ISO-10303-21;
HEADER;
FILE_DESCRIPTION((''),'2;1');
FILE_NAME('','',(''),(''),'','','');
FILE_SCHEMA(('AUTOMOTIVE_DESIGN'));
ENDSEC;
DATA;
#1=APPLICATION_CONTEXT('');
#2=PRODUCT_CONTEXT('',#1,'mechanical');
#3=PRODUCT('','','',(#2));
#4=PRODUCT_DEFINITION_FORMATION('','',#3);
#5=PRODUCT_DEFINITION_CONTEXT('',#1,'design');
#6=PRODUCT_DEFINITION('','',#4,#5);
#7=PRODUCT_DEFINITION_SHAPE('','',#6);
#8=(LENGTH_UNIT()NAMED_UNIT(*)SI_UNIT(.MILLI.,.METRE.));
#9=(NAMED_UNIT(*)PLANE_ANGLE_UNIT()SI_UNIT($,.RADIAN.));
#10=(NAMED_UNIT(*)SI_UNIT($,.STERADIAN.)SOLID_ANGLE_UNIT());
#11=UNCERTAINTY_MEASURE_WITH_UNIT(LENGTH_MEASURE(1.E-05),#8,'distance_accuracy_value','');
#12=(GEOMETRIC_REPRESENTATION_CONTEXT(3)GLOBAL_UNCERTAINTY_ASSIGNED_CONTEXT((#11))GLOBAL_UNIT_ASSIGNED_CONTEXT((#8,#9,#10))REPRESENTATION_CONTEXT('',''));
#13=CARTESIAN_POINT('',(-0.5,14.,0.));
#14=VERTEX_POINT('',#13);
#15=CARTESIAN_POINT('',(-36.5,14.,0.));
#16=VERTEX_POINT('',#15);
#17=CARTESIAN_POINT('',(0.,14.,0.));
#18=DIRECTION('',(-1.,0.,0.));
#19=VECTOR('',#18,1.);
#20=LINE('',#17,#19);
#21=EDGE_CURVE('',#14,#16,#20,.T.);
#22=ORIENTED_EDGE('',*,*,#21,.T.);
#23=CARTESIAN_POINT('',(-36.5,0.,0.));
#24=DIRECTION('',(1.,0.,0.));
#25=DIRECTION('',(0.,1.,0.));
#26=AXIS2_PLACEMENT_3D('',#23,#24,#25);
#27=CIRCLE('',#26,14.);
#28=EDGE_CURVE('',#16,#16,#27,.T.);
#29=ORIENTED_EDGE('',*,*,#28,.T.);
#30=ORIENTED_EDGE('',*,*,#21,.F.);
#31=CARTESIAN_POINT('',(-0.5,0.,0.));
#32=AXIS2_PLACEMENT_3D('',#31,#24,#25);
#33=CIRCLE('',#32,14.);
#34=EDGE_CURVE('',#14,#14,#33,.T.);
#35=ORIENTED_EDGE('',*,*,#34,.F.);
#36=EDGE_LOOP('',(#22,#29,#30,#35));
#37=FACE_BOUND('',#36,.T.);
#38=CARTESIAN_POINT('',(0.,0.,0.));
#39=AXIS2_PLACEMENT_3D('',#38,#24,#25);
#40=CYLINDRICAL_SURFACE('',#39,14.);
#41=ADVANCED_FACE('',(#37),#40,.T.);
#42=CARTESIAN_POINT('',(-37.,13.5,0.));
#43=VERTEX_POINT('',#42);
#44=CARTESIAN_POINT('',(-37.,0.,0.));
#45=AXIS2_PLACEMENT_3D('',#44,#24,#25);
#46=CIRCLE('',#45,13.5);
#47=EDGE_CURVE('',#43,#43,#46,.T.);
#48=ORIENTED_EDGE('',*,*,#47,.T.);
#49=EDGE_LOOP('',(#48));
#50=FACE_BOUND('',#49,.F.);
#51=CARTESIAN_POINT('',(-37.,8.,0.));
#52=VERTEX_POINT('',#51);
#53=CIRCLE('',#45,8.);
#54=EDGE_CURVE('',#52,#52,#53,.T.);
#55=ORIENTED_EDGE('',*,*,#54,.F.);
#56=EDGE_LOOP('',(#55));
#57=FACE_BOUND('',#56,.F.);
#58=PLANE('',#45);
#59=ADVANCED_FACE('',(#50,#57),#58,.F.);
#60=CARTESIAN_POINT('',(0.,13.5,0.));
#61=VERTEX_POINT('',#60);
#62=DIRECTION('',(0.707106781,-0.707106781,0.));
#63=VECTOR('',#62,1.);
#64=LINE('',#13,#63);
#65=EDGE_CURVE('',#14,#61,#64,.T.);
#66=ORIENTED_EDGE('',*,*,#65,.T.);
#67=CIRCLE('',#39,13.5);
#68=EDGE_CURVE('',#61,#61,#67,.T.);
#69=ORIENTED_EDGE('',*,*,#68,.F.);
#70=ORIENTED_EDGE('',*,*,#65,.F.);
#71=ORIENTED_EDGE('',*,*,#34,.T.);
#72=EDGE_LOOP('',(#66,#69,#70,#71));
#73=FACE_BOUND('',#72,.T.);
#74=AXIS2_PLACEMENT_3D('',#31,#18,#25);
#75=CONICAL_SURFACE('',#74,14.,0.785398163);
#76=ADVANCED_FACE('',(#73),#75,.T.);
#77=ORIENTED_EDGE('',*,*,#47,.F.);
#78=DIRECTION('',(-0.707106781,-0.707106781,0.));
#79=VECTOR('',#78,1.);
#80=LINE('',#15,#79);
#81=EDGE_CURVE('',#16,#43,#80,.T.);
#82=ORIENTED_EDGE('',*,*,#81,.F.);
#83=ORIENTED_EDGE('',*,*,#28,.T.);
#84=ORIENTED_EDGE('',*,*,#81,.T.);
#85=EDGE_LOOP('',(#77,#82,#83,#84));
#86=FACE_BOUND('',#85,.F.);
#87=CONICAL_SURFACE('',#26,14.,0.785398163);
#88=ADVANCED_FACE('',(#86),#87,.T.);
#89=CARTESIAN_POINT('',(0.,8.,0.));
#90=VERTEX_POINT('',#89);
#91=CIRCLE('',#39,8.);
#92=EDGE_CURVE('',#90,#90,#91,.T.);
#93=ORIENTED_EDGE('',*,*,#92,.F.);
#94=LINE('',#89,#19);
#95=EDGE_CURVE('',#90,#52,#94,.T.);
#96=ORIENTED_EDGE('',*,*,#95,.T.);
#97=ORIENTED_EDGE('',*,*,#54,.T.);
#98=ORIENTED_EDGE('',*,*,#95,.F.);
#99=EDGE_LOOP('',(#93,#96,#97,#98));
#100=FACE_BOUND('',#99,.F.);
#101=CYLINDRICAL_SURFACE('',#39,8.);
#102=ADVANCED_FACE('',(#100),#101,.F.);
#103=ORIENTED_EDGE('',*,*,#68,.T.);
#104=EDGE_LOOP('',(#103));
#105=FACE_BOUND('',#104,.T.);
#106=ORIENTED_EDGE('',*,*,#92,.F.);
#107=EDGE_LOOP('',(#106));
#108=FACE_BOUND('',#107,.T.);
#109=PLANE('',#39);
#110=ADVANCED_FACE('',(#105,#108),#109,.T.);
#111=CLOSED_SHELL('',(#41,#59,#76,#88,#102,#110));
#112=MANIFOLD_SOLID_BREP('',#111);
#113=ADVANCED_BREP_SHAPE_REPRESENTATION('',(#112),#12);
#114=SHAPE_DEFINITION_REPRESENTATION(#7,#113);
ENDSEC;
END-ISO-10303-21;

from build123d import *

# Parameters (mm, degrees)
F0_R     = 14
F0_R_2   = 8
F1_DEPTH = 37
F2_SIZE  = 0.5


with BuildPart() as f1:
    # F0 (on Right) → F1 (new body)
    with BuildSketch(Plane.YZ):
        Circle(F0_R)
        Circle(F0_R_2, mode=Mode.SUBTRACT)
    extrude(amount=-F1_DEPTH)

    # F2
    f2_edges = [f1.edges().sort_by_distance(p)[0] for p in [
        (0, -14, 0),
        (-37, -14, 0),
    ]]
    chamfer(f2_edges, length=F2_SIZE)


solid = f1.part
